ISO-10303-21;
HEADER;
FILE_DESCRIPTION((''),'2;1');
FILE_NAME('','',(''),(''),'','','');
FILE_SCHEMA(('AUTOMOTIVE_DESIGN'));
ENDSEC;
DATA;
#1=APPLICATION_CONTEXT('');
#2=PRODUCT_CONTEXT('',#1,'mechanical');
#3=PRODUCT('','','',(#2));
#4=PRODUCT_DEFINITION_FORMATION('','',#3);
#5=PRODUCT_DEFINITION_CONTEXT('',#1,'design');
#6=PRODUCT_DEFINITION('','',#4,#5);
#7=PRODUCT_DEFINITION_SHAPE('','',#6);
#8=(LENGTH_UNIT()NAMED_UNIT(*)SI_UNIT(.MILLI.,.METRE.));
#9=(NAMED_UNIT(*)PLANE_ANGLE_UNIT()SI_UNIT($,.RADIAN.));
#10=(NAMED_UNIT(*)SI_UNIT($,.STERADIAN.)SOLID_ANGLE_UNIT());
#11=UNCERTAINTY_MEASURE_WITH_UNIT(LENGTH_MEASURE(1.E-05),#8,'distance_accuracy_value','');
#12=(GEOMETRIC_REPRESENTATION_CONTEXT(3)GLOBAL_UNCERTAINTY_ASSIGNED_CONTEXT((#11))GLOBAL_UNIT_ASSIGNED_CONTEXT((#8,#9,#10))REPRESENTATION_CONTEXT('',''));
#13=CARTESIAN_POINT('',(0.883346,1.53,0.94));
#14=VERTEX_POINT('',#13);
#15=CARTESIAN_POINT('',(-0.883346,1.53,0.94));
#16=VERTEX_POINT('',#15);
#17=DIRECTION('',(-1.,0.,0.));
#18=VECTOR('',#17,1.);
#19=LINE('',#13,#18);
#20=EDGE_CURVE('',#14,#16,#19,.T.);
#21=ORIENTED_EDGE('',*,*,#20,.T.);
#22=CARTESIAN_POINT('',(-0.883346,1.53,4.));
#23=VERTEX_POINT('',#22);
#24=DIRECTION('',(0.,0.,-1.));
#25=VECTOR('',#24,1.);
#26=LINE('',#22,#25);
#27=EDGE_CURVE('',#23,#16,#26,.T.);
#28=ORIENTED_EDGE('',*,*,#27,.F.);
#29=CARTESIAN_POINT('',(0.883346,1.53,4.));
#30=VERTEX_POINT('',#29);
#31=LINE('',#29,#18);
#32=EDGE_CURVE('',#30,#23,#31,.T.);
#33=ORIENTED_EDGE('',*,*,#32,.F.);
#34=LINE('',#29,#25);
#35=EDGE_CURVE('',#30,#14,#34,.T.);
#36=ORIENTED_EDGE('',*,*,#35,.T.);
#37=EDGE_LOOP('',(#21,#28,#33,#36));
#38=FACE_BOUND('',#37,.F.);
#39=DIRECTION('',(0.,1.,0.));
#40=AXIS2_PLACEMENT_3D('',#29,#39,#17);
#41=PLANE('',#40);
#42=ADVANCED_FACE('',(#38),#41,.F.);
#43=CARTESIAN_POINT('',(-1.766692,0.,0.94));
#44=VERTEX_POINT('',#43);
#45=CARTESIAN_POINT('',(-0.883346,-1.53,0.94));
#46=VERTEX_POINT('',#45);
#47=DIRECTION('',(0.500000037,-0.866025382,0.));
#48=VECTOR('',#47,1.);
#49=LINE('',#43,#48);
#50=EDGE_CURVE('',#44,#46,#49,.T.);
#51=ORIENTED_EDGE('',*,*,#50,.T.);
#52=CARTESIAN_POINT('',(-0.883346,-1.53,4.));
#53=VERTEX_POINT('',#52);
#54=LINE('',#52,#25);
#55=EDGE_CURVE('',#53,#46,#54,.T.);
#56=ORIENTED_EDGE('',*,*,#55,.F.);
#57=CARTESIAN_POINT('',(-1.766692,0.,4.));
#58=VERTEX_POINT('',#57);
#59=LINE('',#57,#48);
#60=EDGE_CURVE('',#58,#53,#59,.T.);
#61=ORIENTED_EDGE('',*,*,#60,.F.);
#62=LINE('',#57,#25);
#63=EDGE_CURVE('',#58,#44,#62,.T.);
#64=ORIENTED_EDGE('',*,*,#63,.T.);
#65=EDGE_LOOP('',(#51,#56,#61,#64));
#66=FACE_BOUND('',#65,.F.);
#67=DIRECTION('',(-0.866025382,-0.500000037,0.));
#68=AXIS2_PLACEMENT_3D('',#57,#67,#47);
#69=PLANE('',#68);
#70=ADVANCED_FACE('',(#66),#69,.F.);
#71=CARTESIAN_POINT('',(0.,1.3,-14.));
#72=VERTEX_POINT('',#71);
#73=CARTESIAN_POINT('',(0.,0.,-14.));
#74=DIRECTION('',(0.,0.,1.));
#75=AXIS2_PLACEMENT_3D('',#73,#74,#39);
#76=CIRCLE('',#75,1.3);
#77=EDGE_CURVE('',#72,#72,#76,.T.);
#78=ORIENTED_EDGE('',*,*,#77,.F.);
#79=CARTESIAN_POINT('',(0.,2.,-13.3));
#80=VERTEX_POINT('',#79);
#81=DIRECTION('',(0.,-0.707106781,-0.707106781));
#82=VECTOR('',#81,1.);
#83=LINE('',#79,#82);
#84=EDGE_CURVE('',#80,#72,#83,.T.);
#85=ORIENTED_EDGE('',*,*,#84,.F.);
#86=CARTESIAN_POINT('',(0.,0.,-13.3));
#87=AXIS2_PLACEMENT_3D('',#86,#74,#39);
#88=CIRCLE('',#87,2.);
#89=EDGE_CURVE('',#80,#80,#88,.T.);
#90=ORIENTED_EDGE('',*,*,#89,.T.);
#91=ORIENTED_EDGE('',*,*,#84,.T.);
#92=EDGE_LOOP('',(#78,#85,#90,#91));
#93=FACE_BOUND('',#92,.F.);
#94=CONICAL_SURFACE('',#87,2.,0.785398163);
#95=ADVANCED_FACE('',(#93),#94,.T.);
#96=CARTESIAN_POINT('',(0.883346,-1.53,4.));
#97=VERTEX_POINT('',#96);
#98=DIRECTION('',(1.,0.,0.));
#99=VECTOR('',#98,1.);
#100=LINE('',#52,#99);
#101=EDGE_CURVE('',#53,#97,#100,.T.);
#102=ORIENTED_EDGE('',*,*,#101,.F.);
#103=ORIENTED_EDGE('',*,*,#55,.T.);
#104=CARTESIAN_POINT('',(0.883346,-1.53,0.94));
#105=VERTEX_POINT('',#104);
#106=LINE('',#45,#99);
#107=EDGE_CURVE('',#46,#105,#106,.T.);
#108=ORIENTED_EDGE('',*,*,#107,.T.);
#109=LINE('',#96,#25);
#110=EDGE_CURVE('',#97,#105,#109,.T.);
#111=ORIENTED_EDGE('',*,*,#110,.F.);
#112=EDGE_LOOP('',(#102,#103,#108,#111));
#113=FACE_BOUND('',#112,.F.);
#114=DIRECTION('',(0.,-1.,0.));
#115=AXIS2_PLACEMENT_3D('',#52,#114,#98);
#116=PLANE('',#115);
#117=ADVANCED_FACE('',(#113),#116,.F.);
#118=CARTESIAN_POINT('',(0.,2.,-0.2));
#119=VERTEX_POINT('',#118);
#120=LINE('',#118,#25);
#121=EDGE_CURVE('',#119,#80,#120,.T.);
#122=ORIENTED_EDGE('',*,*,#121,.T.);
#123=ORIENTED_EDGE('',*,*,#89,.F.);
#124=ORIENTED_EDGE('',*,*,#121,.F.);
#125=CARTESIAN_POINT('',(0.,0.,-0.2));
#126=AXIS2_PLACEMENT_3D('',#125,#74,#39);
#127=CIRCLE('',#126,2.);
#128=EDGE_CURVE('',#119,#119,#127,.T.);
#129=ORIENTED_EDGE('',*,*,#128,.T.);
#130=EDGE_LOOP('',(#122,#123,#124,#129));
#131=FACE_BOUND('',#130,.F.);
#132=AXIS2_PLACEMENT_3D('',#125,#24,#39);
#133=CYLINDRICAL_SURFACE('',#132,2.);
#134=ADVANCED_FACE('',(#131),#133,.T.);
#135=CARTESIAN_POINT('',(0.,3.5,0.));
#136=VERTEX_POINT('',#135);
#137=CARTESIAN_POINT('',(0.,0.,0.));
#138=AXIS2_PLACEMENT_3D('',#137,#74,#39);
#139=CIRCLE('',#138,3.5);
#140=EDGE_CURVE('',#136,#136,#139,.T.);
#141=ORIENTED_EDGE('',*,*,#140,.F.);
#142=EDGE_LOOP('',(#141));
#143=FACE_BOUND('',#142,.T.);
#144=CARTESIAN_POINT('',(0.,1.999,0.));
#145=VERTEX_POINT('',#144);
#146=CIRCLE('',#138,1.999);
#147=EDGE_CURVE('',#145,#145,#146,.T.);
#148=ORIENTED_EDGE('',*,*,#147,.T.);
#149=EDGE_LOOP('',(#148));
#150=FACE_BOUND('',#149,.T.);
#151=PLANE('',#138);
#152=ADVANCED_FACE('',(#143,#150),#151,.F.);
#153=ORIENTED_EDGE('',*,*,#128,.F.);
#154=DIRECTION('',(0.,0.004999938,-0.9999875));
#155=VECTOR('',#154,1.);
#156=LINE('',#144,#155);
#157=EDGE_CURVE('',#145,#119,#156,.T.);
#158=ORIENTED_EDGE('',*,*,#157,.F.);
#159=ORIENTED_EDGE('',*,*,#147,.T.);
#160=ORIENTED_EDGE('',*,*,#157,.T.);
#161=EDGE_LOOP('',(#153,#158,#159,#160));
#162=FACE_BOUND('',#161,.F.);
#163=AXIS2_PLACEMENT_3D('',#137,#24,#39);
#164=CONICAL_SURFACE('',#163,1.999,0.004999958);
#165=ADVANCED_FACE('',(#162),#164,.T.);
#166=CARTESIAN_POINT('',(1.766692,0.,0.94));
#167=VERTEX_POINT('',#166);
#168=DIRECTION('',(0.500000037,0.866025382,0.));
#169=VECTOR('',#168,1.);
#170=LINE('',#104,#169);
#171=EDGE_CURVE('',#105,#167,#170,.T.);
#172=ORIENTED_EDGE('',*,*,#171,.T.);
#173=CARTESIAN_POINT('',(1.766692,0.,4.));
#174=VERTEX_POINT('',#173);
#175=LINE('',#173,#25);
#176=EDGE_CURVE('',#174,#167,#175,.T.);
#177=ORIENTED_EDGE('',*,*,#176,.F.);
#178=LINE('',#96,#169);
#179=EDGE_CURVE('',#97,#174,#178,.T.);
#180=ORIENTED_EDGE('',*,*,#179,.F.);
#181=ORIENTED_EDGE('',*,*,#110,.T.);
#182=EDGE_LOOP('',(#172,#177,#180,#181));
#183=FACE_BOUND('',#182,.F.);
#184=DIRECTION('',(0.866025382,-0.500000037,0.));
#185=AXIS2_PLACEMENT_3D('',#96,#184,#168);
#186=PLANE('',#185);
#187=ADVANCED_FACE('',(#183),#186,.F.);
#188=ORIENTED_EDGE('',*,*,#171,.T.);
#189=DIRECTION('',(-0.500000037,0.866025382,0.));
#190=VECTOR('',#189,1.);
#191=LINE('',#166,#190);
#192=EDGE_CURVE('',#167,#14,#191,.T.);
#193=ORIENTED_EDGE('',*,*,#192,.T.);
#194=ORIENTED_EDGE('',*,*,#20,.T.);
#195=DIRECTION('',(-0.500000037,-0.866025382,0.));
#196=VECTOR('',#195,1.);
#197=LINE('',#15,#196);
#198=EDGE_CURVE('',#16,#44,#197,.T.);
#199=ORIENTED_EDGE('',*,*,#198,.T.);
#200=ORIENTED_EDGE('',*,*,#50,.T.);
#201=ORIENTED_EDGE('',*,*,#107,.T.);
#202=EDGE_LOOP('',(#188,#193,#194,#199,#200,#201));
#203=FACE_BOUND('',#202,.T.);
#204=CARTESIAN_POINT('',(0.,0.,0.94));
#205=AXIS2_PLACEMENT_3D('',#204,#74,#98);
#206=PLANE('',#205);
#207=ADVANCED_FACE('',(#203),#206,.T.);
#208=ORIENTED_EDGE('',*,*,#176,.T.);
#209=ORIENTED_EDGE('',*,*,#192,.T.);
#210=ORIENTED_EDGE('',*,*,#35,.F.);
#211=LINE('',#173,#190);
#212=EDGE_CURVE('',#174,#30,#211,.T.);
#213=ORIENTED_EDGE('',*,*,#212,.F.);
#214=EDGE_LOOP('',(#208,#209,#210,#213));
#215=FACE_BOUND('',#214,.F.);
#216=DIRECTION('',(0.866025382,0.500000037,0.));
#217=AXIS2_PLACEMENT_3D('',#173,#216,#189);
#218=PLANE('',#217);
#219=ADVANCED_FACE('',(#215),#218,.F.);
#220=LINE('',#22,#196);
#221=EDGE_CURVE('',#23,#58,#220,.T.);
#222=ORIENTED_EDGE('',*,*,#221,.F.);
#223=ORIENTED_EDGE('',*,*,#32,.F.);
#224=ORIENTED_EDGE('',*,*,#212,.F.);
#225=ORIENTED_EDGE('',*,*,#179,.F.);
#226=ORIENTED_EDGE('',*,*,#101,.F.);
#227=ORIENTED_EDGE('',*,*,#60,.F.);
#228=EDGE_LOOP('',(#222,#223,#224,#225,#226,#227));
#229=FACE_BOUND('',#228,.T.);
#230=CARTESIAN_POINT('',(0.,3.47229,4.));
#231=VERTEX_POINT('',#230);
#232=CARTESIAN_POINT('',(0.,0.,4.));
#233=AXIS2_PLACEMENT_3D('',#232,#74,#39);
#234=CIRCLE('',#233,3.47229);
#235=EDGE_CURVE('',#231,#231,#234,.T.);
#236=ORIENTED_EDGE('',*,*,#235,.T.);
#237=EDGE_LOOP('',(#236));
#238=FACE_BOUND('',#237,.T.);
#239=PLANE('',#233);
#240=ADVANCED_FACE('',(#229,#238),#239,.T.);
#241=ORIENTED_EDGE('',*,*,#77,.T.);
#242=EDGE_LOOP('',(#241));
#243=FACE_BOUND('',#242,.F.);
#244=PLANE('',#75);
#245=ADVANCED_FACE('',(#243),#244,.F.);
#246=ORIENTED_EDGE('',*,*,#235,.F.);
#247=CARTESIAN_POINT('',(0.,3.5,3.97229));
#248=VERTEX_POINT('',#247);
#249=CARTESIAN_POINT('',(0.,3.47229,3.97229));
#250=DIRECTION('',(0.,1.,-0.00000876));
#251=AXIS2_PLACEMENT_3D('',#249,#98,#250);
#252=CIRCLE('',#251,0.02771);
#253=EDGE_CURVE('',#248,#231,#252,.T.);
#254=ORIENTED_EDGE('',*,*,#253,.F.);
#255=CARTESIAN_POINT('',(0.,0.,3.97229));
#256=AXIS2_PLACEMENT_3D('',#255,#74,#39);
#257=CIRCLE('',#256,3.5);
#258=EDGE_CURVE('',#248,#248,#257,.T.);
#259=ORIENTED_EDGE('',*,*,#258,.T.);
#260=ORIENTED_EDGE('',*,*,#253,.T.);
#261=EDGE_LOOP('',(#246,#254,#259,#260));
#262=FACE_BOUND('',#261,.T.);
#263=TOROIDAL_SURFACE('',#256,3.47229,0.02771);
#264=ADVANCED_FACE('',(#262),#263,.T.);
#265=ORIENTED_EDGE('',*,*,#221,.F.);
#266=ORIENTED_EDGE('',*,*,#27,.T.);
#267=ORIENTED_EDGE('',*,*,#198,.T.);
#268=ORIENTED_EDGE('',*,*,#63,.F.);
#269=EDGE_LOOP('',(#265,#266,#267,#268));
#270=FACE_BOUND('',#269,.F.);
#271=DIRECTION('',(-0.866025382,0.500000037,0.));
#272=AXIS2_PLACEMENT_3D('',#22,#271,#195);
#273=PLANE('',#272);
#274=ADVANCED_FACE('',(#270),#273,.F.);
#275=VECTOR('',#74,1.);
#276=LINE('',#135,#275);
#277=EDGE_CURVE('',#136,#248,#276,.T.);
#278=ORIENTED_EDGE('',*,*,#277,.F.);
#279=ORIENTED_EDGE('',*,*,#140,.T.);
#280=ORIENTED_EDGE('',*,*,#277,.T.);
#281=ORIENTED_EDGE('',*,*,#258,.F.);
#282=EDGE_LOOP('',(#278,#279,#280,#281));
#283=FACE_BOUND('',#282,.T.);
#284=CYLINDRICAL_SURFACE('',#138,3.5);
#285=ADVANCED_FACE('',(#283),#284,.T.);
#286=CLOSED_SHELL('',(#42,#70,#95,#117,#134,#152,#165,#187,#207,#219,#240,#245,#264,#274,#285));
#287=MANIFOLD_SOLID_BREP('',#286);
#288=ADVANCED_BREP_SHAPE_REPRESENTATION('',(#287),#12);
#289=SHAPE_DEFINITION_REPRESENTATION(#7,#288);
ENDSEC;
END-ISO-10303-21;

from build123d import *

# Parameters (mm, degrees)
POCKET_DEPTH = 3.06


with BuildPart() as part:
    # Sketch → Revolve (revolve)
    with BuildSketch(Plane.YZ):
        with BuildLine():
            Line((1.999, 0), (3.5, 0))
            Line((3.5, 0), (3.5, 3.97229))
            ThreePointArc((3.5, 3.97229), (3.491884, 3.991884), (3.47229, 4))
            Line((3.47229, 4), (0, 4))
            Line((0, -14), (0, 4))
            Line((1.3, -14), (0, -14))
            Line((2, -13.3), (1.3, -14))
            Line((2, -0.2), (2, -13.3))
            Line((1.999, 0), (2, -0.2))
        make_face()
    revolve(axis=Axis((0, 0, 0), (0, 0, 1)))

    # Sketch001 → Pocket (cut)
    with BuildSketch(Plane.XY.offset(4)):
        Polygon((1.766692, 0), (0.883346, 1.53), (-0.883346, 1.53), (-1.766692, 0), (-0.883346, -1.53), (0.883346, -1.53), align=None)
    extrude(amount=-POCKET_DEPTH, mode=Mode.SUBTRACT)


solid = part.part
